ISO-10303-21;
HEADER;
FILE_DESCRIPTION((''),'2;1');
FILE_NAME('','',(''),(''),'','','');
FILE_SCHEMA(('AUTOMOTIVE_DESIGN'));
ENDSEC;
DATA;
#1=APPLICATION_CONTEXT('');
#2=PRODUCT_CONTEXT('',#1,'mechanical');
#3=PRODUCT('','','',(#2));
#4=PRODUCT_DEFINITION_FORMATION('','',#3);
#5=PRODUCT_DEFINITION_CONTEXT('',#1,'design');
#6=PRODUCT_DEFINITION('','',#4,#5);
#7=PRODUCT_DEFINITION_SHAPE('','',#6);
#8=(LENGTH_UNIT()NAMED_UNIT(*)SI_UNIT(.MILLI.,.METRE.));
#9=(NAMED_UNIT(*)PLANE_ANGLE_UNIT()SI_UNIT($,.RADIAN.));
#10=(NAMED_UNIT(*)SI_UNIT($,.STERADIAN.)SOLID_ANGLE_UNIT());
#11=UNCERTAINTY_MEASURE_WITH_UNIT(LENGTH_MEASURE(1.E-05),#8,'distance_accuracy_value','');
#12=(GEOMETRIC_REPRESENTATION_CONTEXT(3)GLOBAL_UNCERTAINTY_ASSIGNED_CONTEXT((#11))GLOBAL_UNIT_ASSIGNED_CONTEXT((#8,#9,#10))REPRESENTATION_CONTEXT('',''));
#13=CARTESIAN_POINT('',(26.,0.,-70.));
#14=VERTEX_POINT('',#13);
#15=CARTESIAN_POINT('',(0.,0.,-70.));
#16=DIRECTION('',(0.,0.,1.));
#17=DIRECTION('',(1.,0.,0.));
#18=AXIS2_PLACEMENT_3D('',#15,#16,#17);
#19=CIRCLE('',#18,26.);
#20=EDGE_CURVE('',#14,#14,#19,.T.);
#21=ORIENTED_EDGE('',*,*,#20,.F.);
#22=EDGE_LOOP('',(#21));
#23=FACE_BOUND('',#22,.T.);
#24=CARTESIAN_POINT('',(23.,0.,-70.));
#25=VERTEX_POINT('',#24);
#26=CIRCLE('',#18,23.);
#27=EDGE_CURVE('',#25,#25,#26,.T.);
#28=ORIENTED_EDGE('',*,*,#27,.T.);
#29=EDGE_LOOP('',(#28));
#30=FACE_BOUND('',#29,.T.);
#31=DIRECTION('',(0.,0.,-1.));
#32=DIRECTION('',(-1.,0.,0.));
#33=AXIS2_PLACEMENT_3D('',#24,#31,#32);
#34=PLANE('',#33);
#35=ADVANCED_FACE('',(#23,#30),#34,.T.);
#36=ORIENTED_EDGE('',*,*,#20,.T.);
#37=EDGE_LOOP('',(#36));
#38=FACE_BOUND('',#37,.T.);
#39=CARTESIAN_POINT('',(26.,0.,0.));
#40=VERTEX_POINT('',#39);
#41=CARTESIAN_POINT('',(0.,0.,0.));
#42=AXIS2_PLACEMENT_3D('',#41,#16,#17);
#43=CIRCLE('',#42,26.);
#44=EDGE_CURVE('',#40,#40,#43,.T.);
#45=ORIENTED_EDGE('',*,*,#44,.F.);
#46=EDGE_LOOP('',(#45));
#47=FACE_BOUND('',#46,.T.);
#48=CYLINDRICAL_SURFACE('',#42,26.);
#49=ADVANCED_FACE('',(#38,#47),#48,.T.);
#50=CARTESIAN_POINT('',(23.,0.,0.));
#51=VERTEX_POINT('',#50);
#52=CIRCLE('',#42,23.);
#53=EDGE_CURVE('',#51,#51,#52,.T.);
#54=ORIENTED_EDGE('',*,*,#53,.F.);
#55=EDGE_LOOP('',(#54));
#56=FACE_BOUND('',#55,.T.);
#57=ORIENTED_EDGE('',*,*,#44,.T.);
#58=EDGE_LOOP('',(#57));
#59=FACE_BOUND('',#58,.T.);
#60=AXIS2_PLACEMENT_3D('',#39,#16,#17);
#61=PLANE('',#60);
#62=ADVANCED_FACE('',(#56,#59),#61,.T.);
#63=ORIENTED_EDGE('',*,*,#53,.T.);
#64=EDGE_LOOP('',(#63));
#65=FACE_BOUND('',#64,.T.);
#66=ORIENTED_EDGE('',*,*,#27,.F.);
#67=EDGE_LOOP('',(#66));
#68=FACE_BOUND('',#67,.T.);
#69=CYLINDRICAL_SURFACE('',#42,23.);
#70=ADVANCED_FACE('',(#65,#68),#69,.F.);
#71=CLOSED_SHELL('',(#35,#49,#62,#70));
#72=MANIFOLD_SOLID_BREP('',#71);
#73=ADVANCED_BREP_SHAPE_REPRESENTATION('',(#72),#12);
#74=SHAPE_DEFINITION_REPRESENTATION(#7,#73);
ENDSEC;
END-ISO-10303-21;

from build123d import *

# Parameters (mm, degrees)
SKETCH2_W = 3
SKETCH2_H = 70


with BuildPart() as part:
    # Sketch2 → Revolve1 (revolve)
    with BuildSketch(Plane(origin=(0, 0, 0), x_dir=(1, 0, 0), z_dir=(0, 1, 0))):
        with Locations((24.5, 35)):
            Rectangle(SKETCH2_W, SKETCH2_H)
    revolve(axis=Axis((0, 0, 0), (0, 0, -1)))


solid = part.part
